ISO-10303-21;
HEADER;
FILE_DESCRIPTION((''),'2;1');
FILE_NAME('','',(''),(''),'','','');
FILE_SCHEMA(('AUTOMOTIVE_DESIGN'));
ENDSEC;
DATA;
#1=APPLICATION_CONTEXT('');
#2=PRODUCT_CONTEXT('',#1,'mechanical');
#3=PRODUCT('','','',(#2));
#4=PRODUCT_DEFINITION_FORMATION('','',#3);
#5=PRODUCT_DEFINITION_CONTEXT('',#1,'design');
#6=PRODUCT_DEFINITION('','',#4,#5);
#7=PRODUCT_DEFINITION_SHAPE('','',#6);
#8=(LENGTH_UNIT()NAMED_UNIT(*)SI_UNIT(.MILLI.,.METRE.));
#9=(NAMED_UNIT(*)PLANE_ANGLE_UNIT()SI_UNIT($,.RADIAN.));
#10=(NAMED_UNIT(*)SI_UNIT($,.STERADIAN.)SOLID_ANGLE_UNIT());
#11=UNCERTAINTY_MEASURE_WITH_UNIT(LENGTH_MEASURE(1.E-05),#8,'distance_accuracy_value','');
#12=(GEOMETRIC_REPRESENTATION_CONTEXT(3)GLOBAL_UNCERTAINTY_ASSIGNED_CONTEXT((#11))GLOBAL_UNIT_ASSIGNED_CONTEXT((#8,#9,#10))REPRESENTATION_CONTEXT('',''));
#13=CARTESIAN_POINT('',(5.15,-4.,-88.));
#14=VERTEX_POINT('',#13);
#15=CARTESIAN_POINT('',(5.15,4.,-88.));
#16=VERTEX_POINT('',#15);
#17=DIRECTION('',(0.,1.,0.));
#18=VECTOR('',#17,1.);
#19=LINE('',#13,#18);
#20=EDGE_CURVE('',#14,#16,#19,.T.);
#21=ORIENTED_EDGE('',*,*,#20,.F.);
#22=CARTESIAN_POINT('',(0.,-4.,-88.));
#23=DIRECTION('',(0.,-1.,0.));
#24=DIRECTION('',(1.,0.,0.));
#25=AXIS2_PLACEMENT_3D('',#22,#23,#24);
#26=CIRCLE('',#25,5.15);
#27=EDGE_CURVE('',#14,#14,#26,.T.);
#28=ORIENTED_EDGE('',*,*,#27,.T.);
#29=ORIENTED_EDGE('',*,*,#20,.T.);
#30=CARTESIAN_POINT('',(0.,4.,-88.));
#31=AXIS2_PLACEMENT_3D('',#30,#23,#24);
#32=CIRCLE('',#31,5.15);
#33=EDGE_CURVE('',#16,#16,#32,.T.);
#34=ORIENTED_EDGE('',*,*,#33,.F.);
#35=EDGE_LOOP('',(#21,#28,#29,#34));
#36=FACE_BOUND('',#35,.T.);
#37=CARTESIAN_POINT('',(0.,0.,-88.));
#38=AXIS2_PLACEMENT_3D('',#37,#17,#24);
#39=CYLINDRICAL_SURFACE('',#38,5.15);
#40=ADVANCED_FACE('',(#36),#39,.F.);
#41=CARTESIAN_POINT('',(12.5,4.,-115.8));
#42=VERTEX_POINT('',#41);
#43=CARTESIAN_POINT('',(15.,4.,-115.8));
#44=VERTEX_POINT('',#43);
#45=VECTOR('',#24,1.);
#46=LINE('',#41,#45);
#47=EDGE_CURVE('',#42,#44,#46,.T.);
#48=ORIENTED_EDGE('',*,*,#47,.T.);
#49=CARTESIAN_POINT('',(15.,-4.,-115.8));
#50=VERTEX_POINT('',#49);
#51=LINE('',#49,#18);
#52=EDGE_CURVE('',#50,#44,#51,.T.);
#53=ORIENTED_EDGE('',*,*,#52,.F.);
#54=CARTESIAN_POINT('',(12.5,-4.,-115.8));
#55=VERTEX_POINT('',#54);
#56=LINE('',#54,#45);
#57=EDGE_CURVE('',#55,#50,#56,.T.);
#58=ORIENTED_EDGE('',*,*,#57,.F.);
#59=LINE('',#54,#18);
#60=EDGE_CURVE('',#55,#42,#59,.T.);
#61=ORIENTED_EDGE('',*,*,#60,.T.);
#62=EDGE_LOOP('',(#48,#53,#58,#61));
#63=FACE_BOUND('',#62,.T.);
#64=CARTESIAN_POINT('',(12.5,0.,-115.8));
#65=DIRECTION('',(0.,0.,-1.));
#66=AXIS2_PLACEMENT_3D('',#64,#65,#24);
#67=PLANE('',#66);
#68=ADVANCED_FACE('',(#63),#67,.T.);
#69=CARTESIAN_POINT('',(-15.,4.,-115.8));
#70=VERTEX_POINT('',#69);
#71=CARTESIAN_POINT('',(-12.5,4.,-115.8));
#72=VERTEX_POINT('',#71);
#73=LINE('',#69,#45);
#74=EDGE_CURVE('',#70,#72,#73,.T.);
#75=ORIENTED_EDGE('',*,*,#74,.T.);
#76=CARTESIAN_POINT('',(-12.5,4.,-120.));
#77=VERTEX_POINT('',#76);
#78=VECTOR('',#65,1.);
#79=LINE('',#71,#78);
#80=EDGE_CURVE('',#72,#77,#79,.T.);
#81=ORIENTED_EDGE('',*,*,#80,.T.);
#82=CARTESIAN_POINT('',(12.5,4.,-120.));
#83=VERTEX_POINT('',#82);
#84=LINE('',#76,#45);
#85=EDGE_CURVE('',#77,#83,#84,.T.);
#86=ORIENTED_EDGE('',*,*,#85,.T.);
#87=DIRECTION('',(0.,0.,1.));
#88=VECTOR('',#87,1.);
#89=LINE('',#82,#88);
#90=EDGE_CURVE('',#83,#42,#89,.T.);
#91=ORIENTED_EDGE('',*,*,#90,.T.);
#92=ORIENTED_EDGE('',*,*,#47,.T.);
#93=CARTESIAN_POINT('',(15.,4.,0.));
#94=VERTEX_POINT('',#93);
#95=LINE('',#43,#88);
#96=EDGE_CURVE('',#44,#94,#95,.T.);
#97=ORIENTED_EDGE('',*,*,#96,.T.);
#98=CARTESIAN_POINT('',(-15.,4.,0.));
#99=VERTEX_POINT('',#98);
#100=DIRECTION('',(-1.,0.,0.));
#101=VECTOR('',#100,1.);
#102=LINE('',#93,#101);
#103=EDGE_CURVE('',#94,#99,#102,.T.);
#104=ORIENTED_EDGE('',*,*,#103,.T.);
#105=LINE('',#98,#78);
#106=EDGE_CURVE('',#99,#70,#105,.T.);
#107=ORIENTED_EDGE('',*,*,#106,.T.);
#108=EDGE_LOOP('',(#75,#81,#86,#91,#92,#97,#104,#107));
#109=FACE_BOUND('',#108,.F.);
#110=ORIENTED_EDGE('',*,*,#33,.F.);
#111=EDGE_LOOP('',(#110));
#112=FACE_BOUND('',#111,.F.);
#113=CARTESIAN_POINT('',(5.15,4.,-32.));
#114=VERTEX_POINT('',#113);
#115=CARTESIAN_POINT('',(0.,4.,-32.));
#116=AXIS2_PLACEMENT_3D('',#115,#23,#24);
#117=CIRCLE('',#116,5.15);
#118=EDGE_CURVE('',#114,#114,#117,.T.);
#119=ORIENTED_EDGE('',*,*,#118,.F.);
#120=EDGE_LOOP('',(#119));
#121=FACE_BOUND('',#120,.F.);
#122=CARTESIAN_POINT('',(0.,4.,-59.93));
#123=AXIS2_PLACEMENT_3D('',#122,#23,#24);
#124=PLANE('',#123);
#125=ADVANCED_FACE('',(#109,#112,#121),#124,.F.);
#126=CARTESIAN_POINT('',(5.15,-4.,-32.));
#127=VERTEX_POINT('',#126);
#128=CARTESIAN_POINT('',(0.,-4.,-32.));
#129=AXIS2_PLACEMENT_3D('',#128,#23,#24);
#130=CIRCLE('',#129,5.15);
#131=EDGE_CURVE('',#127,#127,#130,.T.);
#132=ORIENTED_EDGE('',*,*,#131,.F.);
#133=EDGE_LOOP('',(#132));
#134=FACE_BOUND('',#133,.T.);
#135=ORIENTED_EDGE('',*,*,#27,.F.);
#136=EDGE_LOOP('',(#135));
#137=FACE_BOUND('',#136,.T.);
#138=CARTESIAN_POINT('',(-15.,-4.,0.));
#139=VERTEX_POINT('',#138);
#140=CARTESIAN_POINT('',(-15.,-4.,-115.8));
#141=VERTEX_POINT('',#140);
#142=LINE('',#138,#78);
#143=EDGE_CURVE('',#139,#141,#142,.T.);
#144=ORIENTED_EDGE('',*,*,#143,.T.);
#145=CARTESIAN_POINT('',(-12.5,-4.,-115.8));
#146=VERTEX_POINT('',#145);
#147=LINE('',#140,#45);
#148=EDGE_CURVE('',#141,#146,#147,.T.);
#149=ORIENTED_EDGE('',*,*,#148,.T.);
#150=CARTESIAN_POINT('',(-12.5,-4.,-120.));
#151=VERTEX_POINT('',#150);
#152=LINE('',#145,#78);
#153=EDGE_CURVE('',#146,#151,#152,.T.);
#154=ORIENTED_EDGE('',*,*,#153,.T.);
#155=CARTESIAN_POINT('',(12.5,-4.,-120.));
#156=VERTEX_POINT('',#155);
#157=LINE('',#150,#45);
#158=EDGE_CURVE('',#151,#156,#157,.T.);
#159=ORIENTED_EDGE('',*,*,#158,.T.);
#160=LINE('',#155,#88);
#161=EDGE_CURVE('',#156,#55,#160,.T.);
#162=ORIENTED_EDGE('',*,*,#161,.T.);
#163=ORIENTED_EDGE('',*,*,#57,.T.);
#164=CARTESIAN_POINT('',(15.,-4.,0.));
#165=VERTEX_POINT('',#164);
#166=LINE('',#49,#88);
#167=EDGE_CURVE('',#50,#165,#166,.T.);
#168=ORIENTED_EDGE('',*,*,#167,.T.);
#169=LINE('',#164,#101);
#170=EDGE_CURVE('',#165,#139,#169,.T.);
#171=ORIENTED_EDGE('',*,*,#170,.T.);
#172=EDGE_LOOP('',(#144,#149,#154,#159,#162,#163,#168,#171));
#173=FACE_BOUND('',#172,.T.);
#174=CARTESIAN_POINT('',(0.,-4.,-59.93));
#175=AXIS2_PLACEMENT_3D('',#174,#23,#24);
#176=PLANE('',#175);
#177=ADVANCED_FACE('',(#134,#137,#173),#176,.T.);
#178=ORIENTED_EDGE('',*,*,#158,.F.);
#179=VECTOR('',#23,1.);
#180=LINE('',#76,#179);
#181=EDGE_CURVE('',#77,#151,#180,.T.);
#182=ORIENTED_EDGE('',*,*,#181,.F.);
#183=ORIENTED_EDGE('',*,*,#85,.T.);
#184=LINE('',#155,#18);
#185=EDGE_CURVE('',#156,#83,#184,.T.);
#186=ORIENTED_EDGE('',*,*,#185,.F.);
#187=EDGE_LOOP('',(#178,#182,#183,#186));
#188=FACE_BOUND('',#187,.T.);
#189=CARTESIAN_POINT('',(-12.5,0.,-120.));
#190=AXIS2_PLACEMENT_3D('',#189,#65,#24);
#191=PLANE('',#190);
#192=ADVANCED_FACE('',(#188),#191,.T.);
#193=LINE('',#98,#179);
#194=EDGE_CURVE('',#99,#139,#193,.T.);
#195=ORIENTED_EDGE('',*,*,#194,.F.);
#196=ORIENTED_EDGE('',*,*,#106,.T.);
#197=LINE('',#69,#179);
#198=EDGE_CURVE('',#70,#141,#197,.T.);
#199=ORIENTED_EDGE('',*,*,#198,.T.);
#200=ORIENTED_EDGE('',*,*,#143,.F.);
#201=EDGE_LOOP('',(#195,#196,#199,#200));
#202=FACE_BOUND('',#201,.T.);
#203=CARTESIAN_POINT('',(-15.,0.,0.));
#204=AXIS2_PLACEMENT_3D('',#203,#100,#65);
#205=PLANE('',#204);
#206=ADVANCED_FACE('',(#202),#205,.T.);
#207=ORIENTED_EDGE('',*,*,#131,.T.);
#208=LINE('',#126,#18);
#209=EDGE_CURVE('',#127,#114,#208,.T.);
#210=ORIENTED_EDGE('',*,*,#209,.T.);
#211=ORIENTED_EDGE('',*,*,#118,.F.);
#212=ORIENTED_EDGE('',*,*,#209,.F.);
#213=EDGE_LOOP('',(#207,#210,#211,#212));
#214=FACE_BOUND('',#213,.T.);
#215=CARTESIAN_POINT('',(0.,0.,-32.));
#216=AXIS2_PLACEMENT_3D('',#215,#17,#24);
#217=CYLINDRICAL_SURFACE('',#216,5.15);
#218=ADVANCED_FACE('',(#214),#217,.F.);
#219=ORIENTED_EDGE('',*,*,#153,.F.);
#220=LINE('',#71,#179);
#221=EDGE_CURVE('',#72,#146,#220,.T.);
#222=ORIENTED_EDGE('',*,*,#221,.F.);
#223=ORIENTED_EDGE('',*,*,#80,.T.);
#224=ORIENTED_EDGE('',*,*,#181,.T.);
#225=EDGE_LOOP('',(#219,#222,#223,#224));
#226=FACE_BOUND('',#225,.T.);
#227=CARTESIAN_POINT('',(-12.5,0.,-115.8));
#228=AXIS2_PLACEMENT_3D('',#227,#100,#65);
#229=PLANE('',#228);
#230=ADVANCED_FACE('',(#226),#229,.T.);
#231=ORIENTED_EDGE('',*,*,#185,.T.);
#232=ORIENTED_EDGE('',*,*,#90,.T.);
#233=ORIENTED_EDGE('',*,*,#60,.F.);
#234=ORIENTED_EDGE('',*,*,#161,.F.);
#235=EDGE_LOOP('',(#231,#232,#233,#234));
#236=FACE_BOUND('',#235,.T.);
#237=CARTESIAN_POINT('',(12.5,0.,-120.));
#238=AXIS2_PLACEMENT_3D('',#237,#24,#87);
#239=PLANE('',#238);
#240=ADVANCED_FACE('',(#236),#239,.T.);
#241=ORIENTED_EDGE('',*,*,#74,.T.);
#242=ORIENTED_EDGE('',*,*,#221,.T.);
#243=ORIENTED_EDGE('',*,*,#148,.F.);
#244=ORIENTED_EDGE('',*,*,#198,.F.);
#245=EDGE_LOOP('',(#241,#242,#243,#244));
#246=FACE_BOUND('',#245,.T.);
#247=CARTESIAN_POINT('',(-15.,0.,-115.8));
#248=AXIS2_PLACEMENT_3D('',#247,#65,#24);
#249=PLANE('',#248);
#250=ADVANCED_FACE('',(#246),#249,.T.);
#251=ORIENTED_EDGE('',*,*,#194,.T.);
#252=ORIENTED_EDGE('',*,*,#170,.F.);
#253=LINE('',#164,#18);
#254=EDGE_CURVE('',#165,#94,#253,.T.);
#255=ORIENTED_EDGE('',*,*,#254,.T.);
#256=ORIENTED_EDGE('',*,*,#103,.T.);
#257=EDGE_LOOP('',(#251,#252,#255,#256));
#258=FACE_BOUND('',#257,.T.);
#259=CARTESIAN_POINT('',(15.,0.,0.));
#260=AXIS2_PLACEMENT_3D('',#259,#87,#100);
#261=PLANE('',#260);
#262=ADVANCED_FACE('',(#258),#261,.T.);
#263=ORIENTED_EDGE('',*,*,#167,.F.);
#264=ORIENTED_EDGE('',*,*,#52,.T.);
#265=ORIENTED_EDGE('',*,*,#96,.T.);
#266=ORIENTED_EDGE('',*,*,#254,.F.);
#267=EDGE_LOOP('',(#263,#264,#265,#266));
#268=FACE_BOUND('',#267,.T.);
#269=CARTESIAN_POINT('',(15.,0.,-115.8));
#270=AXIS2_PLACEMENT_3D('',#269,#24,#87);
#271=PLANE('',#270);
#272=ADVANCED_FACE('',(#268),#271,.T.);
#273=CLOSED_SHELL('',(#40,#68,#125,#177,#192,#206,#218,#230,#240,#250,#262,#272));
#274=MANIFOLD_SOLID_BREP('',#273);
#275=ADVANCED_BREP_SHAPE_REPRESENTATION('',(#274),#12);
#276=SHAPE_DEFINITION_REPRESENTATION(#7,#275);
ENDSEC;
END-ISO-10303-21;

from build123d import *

# Parameters (mm, degrees)
F0_R     = 5.15
F1_DEPTH = 4


with BuildPart() as f1:
    # F0 (on Front) → F1 (new body, symmetric)
    with BuildSketch(Plane.XZ):
        Polygon((15, 0), (-15, 0), (-15, -115.8), (-12.5, -115.8), (-12.5, -120), (12.5, -120), (12.5, -115.8), (15, -115.8), align=None)
        with Locations((0, -88)):
            Circle(F0_R, mode=Mode.SUBTRACT)
        with Locations((0, -32)):
            Circle(F0_R, mode=Mode.SUBTRACT)
    extrude(amount=F1_DEPTH, both=True)


solid = f1.part
